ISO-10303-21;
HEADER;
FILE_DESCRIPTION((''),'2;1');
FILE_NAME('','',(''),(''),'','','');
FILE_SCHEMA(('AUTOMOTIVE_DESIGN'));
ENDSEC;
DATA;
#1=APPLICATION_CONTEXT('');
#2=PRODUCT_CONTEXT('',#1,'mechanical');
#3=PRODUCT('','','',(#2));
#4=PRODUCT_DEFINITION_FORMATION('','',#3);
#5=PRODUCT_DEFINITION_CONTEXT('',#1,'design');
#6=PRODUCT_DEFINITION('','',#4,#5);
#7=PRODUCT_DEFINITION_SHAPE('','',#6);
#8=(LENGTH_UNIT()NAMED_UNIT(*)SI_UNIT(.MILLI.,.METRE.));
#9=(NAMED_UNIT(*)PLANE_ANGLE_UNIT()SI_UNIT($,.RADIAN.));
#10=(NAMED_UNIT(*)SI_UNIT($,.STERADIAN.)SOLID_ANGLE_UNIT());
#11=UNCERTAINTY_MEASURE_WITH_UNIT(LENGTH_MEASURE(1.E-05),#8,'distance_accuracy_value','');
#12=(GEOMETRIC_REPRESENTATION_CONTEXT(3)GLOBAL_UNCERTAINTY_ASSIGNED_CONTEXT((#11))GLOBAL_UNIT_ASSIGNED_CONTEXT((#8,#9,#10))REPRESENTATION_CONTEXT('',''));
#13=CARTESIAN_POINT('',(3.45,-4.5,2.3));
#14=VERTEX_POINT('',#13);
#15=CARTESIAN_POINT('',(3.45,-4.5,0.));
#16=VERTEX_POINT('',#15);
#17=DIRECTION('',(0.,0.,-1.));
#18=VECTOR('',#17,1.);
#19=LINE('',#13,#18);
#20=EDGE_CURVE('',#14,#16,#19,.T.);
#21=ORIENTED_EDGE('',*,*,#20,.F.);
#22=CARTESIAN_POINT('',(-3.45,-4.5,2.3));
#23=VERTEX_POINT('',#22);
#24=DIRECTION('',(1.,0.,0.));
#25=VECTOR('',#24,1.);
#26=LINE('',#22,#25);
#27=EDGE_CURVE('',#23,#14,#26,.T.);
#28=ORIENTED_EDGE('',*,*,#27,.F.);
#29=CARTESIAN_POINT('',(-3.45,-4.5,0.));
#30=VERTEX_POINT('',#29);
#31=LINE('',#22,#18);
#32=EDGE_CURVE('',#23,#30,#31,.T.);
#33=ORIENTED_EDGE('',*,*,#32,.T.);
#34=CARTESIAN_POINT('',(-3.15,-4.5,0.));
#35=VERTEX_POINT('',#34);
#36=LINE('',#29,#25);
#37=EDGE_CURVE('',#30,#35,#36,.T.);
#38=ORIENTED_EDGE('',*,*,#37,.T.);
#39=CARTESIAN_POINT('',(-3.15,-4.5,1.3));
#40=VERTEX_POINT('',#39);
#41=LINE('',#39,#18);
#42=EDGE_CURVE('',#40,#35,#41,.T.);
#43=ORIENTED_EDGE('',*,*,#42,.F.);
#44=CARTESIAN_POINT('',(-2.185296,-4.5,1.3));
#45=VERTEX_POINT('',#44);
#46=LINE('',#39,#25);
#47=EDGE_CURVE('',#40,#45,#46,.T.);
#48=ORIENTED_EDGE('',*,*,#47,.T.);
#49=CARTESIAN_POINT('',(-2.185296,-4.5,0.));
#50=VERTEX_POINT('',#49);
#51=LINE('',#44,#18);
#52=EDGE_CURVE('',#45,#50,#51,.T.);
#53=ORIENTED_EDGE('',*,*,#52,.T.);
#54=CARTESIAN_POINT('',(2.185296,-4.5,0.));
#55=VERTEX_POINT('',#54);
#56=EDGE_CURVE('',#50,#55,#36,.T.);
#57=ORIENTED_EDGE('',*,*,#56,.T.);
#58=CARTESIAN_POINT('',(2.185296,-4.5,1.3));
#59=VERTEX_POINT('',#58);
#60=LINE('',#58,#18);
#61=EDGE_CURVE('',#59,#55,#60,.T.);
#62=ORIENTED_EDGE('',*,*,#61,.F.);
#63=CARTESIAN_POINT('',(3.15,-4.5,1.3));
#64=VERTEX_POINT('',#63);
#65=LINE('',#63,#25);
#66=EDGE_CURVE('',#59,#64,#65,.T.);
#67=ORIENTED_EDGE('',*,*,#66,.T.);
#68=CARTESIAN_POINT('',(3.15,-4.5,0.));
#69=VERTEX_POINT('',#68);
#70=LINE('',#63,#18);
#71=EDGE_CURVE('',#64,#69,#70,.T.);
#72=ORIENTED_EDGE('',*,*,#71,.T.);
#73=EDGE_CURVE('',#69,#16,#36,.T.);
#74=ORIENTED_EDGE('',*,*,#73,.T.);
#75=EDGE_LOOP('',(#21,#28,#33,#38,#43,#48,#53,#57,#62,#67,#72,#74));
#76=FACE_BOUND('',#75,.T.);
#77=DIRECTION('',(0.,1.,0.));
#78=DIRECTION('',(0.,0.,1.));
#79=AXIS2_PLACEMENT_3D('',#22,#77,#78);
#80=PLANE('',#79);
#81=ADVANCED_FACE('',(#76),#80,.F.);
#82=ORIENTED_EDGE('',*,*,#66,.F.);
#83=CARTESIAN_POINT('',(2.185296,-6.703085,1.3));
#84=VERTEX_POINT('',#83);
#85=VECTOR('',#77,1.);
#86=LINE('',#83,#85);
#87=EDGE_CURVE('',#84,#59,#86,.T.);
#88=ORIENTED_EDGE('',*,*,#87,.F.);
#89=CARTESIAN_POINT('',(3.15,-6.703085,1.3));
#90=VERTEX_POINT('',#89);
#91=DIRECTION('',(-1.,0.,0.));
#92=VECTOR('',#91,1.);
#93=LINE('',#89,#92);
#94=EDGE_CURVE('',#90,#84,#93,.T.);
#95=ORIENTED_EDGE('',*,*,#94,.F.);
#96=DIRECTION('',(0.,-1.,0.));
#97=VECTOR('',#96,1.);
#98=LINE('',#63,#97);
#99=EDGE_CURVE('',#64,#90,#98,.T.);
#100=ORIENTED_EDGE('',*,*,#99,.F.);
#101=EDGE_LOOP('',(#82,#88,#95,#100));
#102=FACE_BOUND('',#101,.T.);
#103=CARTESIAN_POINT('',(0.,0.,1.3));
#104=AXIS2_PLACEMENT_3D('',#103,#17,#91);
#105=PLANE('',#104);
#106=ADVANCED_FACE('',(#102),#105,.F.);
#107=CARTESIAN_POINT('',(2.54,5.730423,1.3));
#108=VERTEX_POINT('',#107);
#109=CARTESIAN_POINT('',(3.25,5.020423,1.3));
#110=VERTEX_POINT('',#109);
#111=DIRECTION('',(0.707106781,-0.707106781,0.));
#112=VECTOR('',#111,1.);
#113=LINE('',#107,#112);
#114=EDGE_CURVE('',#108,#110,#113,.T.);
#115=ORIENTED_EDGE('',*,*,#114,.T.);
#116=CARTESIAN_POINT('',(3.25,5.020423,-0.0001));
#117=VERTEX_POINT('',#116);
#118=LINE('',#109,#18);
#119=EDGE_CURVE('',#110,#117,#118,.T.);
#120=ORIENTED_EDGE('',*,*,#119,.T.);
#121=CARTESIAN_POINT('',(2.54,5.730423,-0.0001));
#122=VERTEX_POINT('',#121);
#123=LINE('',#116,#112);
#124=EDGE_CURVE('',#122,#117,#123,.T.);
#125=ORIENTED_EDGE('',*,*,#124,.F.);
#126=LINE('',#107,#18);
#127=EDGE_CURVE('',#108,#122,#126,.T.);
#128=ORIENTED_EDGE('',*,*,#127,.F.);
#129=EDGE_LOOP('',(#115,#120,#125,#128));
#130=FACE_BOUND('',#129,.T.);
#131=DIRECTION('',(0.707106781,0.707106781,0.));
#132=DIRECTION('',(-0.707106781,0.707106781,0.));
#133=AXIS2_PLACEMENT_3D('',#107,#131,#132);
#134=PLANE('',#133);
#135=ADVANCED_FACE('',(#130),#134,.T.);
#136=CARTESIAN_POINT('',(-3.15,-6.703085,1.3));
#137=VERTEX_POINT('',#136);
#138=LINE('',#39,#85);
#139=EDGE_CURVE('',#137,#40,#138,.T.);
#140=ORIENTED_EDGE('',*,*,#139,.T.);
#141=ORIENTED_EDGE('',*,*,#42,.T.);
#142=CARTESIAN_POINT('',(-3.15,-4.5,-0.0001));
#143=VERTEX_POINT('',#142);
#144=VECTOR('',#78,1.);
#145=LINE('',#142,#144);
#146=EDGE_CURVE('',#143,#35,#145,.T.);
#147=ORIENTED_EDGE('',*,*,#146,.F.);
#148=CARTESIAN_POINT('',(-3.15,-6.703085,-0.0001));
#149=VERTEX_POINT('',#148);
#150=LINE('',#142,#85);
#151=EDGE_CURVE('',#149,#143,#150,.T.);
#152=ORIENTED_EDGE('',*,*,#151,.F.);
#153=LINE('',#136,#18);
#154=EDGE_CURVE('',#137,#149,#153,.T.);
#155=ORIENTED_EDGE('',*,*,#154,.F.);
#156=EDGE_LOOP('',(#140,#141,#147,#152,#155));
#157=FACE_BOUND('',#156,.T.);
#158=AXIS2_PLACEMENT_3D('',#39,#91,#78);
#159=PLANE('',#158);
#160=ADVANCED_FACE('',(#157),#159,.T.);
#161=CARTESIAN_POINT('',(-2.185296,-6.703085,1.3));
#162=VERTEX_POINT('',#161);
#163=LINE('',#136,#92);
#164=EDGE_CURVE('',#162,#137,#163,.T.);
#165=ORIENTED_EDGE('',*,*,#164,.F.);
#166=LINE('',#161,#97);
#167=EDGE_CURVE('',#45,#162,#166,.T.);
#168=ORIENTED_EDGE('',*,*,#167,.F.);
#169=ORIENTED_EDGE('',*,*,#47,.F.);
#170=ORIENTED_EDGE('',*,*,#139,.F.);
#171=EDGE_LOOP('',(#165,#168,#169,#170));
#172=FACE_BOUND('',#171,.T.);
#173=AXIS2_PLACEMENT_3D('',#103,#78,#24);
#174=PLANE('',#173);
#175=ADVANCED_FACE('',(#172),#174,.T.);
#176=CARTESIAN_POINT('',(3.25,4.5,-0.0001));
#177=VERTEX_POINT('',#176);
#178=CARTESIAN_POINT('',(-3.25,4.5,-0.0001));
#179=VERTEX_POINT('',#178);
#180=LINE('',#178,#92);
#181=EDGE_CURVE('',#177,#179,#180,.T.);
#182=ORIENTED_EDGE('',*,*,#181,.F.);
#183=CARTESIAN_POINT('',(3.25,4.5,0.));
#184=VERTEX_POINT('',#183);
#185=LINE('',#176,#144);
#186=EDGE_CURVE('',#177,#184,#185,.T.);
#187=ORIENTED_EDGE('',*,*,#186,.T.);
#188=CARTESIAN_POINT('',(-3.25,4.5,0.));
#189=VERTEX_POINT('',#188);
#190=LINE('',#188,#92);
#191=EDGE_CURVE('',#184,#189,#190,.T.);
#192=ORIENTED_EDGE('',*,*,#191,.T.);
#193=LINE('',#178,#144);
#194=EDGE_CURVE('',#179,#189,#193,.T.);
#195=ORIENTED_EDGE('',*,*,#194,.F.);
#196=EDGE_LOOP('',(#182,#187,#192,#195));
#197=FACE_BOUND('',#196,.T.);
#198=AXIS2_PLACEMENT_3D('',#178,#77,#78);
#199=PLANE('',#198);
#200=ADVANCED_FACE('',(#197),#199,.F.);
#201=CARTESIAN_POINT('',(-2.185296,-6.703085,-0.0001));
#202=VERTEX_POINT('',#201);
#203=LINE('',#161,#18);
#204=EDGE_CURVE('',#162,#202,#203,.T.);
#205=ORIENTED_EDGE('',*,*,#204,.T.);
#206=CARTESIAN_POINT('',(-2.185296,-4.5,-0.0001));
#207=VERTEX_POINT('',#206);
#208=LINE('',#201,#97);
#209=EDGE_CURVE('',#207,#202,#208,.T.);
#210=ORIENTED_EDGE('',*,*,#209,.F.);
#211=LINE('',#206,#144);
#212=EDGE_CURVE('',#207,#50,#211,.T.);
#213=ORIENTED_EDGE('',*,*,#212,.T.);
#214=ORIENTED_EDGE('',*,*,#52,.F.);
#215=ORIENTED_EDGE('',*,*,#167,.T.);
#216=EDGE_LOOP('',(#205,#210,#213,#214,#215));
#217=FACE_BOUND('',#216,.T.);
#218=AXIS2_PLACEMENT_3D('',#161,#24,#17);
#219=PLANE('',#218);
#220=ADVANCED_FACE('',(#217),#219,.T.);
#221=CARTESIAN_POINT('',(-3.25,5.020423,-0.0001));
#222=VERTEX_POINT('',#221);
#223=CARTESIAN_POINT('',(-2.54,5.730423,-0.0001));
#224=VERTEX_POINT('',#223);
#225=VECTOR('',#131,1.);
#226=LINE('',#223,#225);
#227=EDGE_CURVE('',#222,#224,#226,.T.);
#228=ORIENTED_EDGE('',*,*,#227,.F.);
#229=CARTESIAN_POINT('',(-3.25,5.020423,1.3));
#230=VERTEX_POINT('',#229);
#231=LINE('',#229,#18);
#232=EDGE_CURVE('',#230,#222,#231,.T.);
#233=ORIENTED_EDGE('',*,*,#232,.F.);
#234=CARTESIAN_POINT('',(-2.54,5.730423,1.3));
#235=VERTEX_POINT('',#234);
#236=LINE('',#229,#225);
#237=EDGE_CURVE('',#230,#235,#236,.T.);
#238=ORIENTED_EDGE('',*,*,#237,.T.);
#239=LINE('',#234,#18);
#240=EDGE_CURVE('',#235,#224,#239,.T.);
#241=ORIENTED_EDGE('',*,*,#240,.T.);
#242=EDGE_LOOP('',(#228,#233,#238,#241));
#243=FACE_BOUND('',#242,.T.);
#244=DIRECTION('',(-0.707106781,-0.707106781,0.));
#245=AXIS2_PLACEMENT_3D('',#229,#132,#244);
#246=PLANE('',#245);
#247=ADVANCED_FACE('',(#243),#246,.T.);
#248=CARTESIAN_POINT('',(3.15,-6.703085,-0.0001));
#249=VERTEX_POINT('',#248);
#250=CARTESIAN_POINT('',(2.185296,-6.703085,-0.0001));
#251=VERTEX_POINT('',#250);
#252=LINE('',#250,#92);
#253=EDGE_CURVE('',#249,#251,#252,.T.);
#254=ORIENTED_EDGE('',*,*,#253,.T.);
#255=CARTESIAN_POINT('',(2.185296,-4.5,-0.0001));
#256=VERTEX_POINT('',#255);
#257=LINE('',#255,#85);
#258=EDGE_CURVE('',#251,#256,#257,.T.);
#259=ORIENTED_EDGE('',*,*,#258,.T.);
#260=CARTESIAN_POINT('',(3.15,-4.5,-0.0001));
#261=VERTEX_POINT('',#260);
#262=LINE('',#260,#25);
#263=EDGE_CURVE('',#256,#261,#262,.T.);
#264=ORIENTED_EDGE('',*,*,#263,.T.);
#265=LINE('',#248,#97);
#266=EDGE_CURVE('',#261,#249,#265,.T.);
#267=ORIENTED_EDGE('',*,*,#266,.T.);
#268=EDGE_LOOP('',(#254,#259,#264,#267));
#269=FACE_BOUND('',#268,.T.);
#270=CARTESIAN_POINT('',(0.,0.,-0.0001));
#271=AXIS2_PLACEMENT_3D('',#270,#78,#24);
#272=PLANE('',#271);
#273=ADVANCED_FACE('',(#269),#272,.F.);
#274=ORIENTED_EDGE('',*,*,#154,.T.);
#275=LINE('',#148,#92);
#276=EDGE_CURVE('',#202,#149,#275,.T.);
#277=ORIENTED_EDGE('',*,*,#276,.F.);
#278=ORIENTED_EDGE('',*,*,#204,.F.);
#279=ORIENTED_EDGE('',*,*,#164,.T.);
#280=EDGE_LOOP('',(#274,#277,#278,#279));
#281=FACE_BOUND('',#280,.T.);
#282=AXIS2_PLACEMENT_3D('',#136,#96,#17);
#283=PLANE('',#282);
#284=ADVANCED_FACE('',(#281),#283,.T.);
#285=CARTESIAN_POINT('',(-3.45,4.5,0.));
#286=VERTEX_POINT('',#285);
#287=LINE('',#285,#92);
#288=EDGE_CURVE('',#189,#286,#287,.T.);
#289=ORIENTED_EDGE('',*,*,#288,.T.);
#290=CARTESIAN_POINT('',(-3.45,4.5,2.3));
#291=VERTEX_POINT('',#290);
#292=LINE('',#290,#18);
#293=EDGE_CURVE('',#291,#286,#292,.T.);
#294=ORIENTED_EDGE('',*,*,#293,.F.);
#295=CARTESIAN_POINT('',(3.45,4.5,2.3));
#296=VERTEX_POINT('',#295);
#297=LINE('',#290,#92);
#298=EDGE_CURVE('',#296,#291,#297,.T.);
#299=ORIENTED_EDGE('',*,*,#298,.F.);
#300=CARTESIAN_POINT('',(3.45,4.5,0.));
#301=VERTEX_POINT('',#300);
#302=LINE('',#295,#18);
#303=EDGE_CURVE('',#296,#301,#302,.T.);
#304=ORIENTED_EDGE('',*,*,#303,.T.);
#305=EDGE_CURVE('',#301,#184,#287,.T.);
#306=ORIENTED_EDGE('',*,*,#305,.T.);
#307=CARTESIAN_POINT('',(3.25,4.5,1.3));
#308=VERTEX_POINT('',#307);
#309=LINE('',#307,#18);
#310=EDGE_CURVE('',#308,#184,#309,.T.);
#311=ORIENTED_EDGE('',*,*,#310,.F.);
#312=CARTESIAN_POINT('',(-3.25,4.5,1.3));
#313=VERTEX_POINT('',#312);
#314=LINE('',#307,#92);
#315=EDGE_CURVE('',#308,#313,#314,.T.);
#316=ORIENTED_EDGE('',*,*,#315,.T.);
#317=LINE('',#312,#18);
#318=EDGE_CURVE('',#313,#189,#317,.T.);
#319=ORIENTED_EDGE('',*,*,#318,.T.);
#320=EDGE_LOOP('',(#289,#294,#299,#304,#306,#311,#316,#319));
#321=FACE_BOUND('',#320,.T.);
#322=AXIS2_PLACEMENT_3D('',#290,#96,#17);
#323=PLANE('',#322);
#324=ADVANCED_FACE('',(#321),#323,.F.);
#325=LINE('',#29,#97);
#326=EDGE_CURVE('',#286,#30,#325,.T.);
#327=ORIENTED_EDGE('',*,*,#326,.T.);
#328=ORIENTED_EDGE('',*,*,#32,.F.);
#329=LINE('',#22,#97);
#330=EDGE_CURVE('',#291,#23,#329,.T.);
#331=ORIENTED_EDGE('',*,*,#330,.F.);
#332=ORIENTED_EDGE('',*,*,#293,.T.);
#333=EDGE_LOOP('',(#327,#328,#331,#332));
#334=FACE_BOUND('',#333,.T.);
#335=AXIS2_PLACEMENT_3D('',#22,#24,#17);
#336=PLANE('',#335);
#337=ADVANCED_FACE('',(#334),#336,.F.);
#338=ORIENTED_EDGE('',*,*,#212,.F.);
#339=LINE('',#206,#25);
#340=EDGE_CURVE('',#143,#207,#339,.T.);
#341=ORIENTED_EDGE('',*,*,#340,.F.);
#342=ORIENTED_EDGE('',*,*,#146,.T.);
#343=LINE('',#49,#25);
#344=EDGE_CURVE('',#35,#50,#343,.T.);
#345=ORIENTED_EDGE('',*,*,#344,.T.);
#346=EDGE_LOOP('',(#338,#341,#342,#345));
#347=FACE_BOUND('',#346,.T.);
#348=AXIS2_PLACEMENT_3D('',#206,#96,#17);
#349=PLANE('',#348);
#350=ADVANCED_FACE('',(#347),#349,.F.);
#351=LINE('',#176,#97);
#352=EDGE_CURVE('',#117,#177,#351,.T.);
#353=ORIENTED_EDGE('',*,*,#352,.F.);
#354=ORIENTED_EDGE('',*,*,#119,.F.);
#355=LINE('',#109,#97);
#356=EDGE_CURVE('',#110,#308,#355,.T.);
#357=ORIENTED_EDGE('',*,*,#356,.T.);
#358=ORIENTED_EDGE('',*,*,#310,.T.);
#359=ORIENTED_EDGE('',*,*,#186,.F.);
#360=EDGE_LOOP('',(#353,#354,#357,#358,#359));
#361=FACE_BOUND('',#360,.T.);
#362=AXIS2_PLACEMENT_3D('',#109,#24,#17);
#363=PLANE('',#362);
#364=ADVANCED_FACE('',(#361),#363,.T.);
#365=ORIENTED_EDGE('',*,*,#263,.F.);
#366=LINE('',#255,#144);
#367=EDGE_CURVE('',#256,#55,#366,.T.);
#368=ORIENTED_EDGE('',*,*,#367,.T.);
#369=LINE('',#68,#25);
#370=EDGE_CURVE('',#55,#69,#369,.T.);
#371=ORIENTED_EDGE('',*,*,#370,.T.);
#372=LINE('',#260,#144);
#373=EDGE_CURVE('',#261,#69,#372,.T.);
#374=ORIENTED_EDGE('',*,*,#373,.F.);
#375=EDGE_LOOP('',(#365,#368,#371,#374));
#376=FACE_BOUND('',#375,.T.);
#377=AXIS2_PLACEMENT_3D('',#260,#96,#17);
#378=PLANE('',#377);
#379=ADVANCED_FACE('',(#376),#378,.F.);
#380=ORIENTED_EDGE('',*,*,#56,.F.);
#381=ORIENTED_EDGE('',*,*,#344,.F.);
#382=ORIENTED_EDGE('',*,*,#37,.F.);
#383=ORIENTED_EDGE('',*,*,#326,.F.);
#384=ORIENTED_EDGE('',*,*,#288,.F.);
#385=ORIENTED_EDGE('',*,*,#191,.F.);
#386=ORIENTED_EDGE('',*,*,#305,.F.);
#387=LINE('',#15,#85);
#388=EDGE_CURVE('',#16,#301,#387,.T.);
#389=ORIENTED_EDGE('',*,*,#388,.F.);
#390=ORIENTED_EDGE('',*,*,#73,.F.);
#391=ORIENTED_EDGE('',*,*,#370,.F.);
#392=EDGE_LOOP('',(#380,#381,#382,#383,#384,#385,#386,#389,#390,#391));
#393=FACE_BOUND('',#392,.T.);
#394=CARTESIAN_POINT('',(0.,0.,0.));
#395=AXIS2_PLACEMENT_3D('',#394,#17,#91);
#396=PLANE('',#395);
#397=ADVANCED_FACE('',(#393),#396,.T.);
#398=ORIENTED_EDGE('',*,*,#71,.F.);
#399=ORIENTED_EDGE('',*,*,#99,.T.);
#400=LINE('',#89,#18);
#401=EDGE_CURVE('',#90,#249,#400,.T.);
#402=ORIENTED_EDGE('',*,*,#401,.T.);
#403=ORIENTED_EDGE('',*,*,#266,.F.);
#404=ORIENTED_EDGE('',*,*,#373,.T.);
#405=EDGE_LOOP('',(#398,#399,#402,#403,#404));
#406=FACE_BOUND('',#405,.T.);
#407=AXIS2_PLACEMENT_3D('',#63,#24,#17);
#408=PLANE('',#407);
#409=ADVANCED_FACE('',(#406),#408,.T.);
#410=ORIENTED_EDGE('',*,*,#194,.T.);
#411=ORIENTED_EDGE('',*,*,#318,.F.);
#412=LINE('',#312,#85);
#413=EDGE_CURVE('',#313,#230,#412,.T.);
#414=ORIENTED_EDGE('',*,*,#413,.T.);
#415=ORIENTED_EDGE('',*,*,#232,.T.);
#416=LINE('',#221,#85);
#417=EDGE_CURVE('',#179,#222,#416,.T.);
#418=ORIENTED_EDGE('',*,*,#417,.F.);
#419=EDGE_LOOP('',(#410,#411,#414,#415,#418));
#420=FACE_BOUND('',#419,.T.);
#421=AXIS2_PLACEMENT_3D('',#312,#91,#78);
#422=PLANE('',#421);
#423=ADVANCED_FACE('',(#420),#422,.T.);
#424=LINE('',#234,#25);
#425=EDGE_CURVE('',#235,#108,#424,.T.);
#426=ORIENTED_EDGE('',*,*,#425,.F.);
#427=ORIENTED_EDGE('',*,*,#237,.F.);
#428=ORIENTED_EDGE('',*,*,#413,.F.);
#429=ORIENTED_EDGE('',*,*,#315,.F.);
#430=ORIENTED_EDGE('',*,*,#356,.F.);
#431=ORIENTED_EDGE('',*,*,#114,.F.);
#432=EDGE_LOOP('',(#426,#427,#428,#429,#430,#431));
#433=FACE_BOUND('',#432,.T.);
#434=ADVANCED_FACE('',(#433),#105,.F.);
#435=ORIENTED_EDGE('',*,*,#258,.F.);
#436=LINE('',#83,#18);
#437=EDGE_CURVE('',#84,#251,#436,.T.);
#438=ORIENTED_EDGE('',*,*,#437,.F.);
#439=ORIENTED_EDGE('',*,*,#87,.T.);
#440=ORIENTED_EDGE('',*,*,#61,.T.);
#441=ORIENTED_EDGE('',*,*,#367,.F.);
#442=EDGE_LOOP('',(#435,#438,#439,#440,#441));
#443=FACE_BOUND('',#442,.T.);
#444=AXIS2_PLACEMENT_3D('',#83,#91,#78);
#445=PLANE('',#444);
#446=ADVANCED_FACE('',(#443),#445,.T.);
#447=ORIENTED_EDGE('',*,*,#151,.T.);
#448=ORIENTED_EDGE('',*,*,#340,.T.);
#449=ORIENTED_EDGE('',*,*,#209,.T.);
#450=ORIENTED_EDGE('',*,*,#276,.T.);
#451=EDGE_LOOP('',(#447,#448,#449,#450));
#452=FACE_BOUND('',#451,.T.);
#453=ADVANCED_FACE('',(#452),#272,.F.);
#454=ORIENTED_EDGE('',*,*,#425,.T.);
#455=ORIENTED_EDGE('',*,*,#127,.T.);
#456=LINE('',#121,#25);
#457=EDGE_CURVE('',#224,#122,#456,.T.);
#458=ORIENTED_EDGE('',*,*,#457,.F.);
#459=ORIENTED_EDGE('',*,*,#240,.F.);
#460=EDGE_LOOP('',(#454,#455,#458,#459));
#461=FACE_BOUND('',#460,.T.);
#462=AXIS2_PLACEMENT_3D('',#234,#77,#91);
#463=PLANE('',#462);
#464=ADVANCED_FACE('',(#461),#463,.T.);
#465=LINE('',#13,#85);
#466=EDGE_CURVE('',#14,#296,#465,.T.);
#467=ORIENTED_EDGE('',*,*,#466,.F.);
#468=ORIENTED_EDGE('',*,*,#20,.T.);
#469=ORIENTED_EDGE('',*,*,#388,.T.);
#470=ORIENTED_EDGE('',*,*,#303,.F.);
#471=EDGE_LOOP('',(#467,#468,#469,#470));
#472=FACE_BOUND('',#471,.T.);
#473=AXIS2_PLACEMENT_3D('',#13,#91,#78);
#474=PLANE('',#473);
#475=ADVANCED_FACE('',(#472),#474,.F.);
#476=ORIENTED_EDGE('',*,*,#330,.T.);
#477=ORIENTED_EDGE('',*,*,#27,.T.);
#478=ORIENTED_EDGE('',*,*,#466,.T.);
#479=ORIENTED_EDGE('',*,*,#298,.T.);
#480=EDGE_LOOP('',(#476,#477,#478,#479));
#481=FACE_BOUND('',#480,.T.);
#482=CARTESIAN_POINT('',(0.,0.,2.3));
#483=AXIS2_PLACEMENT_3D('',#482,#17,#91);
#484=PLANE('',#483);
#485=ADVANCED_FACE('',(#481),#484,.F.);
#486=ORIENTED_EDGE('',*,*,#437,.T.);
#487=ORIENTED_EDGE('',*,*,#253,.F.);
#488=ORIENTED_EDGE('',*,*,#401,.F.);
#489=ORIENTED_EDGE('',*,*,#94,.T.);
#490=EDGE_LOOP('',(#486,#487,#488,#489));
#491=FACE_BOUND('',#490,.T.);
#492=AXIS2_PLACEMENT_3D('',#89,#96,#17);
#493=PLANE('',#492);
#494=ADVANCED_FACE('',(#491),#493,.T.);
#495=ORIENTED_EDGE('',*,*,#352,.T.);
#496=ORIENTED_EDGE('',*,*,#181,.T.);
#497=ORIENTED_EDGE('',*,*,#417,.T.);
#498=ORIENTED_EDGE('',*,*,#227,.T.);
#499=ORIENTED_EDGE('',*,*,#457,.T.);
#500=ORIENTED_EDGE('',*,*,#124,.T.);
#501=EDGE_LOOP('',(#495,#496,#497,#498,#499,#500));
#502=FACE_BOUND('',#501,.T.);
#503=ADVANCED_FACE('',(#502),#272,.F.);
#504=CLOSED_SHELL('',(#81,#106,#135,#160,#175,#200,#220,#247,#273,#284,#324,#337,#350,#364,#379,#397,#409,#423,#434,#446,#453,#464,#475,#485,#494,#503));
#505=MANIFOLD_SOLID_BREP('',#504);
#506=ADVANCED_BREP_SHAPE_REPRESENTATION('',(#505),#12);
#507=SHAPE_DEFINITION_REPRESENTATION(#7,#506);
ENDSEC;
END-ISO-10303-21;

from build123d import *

# Parameters (mm, degrees)
SKETCH1_W           = 6.9
SKETCH1_H           = 9
BOSS_EXTRUDE1_DEPTH = 2.3
SKETCH2_W           = 0.964703619
SKETCH2_H           = 2.203085013
BOSS_EXTRUDE2_DEPTH = 1.3
SKETCH3_W           = 0.964703619
SKETCH3_H           = 2.203085013
BOSS_EXTRUDE3_DEPTH = 0.0001


with BuildPart() as part:
    # Sketch1 → Boss-Extrude1 (new body)
    with BuildSketch(Plane.XY):
        Rectangle(SKETCH1_W, SKETCH1_H)
    extrude(amount=BOSS_EXTRUDE1_DEPTH)

    # Sketch2 → Boss-Extrude2 (add)
    with BuildSketch(Plane(origin=(0, 0, 0), x_dir=(-1, 0, 0), z_dir=(0, 0, -1))):
        Polygon((3.25, 4.5), (3.25, 5.020423263), (2.54, 5.730423263), (-2.54, 5.730423263), (-3.25, 5.020423263), (-3.25, 4.5), align=None)
        with Locations((-2.667648191, -5.601542507)):
            Rectangle(SKETCH2_W, SKETCH2_H)
        with Locations((2.667648191, -5.601542507)):
            Rectangle(SKETCH2_W, SKETCH2_H)
    extrude(amount=-BOSS_EXTRUDE2_DEPTH)

    # Sketch3 → Boss-Extrude3 (add)
    with BuildSketch(Plane(origin=(0, 0, 0), x_dir=(-1, 0, 0), z_dir=(0, 0, -1))):
        Polygon((-3.25, 4.5), (-3.25, 5.020423263), (-2.54, 5.730423263), (2.54, 5.730423263), (3.25, 5.020423263), (3.25, 4.5), align=None)
        with Locations((-2.667648191, -5.601542507)):
            Rectangle(SKETCH3_W, SKETCH3_H)
        with Locations((2.667648191, -5.601542507)):
            Rectangle(SKETCH3_W, SKETCH3_H)
    extrude(amount=BOSS_EXTRUDE3_DEPTH)


solid = part.part
